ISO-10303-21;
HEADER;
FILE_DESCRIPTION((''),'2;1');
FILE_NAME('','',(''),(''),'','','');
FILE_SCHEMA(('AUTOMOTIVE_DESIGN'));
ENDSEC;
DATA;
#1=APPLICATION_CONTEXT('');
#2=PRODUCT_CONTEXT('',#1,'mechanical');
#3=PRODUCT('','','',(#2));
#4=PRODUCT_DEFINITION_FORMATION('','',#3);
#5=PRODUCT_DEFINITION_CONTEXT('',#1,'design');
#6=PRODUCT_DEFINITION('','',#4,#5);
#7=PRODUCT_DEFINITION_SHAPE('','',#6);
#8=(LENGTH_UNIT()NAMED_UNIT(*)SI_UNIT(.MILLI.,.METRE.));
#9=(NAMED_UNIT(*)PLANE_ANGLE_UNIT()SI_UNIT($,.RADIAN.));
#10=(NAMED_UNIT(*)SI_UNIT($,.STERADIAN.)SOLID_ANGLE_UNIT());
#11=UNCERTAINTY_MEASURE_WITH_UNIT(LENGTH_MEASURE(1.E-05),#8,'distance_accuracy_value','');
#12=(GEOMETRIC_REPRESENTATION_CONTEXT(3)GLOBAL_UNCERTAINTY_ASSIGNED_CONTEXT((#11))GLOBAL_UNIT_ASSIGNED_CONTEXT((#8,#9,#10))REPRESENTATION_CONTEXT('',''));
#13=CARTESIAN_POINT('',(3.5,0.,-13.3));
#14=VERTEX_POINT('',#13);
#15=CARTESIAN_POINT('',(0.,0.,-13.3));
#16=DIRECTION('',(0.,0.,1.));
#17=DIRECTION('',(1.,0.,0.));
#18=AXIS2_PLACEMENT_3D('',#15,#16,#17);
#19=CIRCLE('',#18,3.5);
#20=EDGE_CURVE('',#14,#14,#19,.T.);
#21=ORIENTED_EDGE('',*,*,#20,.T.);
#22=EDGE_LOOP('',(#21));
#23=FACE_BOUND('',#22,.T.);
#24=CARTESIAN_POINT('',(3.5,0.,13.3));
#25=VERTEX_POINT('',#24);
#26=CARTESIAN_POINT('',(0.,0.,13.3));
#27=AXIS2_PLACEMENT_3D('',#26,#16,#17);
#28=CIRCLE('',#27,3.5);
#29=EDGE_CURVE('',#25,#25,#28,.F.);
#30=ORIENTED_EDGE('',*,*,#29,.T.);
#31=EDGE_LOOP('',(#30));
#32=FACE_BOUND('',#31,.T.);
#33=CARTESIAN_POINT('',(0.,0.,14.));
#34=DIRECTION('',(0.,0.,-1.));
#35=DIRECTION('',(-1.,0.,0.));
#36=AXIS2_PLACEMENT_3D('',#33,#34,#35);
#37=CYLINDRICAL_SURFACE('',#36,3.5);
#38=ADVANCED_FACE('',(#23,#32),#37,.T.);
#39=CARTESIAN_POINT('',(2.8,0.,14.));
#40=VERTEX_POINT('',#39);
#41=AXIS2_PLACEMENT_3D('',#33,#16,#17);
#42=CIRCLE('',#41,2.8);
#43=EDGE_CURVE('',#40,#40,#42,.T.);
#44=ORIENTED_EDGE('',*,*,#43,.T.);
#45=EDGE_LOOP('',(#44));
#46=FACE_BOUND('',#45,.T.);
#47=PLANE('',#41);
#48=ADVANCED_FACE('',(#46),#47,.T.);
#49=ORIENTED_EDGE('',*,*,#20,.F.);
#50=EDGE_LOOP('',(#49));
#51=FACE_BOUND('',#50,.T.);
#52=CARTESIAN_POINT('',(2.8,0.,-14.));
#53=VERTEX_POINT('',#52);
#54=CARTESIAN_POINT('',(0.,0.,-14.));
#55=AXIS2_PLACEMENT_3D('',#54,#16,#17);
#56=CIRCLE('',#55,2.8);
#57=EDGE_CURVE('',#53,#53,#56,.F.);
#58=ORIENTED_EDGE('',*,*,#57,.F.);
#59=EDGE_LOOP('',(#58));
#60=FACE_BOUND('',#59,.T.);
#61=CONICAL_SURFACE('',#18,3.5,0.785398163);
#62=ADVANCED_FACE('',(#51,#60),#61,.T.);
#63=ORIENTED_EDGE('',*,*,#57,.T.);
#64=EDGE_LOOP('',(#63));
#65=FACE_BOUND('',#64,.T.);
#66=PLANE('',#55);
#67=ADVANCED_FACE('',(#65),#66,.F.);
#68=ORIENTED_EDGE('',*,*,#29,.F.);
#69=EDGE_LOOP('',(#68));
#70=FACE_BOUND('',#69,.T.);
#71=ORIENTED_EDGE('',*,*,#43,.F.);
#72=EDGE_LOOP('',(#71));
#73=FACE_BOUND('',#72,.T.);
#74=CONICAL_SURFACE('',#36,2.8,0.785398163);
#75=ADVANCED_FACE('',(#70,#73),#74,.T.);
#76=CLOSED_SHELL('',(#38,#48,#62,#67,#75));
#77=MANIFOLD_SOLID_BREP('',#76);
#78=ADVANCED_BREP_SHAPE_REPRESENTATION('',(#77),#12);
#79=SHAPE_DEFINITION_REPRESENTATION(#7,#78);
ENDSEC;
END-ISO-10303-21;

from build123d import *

# Parameters (mm, degrees)
SKETCH_1_R      = 3.5
EXTRUDE_1_DEPTH = 14
CHAMFER_1_SIZE  = 0.7


with BuildPart() as part:
    # 스케치1 → 보스-돌출1 (new, symmetric)
    with BuildSketch(Plane.XY):
        Circle(SKETCH_1_R)
    extrude(amount=EXTRUDE_1_DEPTH, both=True)

    # 모따기1
    chamfer_1_edges = [part.edges().sort_by_distance(p)[0] for p in [
        (-3.5, 0, -14),
        (-3.5, 0, 14),
    ]]
    chamfer(chamfer_1_edges, length=CHAMFER_1_SIZE)


solid = part.part
